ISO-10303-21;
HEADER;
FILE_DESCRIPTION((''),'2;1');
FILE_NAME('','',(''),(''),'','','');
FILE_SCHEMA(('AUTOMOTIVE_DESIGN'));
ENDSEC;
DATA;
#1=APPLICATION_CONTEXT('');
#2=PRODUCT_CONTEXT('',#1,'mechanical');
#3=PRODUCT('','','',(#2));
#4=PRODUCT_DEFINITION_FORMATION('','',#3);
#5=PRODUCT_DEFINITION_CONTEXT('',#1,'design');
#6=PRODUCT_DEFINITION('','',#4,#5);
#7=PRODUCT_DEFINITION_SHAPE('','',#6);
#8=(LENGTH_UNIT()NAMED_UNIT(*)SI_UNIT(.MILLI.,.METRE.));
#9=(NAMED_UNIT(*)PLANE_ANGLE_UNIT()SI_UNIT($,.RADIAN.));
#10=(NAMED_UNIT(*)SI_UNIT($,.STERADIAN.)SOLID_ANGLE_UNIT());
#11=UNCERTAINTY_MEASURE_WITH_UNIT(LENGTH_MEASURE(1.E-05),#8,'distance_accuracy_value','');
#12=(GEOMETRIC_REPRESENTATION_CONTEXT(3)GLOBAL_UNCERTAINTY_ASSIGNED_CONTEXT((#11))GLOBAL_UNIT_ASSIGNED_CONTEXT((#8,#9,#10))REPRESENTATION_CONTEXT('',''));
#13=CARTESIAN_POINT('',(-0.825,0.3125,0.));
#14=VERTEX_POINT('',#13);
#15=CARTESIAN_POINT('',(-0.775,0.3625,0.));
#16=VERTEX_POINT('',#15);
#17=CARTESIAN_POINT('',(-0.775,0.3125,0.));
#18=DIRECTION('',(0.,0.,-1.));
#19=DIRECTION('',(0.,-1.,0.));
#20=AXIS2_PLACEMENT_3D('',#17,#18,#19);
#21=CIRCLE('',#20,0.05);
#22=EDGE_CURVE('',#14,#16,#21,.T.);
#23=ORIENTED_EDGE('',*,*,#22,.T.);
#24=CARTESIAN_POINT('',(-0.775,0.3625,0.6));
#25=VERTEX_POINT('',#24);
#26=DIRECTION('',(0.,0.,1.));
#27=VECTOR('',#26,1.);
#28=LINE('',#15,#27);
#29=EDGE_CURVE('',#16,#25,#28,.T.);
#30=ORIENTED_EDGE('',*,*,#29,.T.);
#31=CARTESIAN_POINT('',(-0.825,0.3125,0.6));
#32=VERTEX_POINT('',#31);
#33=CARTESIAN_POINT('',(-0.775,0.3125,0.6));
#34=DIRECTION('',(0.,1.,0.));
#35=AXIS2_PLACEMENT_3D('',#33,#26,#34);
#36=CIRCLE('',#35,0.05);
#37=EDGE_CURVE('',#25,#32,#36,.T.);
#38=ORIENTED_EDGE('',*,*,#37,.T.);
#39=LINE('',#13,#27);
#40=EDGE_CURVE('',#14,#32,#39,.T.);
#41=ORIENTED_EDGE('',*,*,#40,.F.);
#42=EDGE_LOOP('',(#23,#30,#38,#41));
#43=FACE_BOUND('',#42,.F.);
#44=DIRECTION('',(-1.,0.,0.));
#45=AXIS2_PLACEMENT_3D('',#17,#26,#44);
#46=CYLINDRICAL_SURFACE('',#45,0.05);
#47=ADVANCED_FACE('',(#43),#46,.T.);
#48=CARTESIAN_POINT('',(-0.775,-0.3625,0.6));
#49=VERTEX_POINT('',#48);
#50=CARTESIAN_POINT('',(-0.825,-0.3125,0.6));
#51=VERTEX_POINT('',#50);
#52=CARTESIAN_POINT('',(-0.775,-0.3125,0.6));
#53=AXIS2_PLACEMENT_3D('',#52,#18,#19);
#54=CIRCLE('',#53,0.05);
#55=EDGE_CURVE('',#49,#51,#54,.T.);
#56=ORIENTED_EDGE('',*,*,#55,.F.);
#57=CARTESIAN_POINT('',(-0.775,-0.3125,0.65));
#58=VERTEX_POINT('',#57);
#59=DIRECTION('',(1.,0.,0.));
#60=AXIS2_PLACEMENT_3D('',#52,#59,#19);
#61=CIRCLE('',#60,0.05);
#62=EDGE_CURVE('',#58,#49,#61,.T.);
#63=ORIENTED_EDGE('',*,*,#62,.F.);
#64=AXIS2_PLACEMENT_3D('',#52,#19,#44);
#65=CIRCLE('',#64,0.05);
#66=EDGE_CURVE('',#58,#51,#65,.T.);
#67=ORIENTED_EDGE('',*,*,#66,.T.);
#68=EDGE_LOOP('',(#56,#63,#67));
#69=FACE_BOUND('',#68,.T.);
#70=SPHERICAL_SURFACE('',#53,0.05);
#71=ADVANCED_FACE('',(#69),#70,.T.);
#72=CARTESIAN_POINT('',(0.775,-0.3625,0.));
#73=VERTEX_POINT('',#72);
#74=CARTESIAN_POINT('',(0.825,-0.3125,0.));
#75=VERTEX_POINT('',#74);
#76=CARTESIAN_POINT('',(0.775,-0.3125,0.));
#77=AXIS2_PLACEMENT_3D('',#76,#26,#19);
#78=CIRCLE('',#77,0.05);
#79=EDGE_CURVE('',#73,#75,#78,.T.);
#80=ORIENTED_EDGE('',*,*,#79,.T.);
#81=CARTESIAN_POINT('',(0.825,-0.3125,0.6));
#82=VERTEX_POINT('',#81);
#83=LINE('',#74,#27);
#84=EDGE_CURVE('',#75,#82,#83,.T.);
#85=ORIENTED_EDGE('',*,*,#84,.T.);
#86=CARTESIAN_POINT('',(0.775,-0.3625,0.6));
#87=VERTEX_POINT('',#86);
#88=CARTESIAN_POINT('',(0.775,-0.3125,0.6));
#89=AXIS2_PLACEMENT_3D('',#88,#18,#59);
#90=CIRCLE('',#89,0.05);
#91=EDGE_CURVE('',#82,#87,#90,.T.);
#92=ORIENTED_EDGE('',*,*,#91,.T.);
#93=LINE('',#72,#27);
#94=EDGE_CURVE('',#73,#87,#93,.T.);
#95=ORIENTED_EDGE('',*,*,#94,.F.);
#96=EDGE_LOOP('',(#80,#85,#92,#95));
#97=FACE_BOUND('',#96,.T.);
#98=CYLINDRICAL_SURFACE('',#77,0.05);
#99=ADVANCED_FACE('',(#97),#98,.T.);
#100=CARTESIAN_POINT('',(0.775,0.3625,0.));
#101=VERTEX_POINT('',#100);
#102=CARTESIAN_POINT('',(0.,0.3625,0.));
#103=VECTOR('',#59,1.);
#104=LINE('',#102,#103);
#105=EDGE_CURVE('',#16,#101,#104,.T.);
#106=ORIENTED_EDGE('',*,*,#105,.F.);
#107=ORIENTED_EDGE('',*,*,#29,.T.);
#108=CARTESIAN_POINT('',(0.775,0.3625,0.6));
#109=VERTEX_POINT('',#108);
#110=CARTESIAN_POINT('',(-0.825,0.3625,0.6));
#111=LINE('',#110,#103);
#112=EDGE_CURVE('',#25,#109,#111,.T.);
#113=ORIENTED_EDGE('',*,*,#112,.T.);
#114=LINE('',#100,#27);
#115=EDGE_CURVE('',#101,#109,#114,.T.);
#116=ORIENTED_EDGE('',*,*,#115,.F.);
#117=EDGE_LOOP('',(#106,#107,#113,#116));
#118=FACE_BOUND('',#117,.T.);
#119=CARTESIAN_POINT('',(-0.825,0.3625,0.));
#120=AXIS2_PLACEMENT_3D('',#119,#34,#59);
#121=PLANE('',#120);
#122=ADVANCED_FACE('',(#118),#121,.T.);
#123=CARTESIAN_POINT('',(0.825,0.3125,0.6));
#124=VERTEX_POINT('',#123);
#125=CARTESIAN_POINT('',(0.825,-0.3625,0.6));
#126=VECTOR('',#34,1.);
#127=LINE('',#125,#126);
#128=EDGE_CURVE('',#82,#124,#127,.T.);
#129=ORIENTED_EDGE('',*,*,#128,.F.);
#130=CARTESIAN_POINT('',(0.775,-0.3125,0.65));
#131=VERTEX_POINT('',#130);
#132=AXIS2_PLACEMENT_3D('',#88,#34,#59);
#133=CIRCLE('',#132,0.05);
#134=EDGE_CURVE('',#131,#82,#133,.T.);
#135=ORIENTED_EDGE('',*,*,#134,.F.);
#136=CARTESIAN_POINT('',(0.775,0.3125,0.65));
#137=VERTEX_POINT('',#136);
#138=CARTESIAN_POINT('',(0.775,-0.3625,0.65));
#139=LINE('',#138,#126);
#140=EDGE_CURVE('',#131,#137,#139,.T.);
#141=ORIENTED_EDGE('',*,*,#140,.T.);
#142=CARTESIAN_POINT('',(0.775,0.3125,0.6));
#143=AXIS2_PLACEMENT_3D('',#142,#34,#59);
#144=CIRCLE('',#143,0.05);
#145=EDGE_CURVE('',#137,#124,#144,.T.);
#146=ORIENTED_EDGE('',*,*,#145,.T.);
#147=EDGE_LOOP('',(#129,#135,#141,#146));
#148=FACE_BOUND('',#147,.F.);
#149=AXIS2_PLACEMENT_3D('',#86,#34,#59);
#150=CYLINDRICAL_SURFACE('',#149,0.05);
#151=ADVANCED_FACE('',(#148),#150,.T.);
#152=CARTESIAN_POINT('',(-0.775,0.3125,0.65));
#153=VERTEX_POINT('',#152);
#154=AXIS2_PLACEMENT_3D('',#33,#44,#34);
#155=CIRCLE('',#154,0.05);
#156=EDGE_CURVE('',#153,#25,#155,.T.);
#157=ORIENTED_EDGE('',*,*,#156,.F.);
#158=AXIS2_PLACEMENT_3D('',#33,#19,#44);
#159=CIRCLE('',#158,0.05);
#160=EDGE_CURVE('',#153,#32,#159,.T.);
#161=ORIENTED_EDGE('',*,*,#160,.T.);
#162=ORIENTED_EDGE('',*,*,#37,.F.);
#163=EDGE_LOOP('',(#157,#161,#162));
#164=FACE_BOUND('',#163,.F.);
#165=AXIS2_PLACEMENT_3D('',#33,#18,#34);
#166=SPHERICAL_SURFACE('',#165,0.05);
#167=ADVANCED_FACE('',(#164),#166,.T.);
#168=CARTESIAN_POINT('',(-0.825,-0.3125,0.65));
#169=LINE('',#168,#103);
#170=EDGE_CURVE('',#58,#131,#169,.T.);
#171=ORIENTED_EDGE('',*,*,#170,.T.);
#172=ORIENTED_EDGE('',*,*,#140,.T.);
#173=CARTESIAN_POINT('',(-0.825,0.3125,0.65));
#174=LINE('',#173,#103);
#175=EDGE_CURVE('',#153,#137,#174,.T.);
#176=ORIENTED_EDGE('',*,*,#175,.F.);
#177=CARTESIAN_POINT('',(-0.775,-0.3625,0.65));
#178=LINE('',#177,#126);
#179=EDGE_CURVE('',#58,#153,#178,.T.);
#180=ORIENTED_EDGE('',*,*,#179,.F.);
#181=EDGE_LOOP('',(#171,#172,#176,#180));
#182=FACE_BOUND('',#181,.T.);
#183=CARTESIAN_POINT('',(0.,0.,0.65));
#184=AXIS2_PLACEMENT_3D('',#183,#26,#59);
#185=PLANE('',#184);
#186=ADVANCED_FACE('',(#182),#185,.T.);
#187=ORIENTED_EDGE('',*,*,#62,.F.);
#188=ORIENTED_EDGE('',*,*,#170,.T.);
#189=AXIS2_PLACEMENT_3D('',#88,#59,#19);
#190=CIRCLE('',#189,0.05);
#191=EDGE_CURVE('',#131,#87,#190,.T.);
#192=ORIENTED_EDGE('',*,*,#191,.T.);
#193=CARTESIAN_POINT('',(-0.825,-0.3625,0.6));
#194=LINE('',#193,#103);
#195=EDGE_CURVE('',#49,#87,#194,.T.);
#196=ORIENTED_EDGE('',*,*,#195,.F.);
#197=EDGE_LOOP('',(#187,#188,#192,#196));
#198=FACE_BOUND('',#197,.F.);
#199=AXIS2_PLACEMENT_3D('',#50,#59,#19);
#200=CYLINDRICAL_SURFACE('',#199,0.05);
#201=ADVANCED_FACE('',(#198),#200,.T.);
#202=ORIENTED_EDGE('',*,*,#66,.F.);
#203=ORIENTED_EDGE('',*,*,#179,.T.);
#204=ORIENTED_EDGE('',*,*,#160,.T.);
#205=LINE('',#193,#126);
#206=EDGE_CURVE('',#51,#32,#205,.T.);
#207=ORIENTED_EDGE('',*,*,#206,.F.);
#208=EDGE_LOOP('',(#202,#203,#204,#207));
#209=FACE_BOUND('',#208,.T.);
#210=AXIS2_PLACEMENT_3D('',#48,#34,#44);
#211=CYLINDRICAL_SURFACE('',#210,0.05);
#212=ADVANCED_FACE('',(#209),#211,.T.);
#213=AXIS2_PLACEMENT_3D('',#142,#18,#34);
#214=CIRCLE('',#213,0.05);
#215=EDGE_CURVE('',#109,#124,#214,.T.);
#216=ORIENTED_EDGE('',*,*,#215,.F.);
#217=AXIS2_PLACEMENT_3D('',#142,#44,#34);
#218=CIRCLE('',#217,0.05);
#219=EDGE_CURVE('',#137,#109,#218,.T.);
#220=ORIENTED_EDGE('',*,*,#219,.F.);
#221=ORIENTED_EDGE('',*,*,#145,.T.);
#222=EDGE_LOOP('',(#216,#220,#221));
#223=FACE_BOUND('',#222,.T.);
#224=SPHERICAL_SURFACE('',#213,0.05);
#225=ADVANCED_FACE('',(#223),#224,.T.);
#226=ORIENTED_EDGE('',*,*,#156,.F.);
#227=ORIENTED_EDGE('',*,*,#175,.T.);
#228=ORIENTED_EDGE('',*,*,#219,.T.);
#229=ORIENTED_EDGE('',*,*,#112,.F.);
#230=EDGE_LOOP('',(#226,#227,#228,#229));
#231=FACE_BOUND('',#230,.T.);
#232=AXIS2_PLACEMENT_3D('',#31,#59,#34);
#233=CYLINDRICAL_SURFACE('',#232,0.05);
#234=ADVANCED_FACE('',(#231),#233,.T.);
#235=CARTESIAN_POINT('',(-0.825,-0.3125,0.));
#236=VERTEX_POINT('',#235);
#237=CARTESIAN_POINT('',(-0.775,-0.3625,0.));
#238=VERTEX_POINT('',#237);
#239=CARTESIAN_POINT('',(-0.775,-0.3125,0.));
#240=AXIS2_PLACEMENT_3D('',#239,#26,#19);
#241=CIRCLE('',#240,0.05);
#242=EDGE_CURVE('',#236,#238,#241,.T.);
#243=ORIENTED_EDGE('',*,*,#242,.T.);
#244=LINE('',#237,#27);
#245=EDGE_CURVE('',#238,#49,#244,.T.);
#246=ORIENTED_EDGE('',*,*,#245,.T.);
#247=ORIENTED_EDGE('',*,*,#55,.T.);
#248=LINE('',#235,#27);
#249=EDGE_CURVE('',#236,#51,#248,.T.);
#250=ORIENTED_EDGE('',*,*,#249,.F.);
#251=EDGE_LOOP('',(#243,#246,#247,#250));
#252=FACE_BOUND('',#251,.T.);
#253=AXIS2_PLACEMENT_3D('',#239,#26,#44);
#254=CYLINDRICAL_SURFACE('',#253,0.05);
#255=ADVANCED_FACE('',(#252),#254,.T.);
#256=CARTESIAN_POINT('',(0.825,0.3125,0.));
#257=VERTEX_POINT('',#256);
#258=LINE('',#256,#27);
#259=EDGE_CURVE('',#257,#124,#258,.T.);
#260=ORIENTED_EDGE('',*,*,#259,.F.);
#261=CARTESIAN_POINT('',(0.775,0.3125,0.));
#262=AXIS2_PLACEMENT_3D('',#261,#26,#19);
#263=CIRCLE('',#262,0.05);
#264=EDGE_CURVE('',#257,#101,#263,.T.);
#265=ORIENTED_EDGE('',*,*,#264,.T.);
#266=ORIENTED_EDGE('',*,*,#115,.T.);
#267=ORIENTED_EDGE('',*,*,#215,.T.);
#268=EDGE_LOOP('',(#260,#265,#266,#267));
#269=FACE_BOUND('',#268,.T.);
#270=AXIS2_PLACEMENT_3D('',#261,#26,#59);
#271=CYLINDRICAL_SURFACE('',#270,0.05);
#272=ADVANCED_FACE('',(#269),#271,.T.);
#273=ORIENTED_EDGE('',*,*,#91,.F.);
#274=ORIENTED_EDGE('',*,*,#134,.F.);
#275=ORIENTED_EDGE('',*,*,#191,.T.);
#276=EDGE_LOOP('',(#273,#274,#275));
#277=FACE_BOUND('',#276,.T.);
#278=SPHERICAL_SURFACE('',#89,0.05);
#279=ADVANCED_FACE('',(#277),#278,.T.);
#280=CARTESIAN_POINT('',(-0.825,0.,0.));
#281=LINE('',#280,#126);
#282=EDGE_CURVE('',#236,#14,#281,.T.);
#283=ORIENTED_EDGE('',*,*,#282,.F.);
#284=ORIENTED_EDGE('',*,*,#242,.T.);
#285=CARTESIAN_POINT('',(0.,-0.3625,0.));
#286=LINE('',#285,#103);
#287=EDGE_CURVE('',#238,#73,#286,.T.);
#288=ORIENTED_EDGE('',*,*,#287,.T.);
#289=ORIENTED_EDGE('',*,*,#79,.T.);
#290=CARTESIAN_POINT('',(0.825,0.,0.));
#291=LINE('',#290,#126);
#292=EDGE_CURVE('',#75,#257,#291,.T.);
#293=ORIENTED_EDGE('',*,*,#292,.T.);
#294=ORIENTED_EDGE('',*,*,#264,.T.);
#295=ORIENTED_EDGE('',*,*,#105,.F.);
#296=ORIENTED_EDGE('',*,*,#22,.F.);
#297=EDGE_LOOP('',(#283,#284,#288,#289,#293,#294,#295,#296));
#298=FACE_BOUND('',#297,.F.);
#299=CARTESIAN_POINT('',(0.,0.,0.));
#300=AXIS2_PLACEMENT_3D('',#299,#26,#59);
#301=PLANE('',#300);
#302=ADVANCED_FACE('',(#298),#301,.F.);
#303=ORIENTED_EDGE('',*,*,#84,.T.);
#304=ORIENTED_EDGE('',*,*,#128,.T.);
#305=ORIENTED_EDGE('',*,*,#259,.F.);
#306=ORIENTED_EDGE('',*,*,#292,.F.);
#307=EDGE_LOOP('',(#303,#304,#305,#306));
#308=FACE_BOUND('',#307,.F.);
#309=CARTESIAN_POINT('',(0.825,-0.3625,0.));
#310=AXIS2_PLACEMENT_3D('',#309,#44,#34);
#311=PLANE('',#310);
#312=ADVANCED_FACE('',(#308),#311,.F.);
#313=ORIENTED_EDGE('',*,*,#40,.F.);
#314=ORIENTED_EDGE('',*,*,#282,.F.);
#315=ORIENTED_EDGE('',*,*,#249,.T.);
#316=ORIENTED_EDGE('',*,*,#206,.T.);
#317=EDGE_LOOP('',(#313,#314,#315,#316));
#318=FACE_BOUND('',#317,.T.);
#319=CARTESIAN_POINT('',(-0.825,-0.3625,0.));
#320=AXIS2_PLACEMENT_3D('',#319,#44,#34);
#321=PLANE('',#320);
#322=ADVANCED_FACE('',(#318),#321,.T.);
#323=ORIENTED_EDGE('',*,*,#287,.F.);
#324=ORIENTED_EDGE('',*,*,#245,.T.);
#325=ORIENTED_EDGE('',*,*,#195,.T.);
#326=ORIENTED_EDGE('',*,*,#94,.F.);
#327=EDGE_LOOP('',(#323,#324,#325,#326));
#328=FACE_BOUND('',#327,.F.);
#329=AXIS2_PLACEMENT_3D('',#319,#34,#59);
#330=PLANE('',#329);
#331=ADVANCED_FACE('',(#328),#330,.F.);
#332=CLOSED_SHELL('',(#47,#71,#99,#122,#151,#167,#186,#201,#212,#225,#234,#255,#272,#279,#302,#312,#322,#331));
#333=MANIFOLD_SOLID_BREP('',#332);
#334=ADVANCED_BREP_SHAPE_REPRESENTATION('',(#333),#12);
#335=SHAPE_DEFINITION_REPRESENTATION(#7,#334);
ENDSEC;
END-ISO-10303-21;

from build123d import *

# Parameters (mm, degrees)
SKETCH_W  = 1.65
SKETCH_H  = 0.725
PAD_DEPTH = 0.65
FILLET_R  = 0.05


with BuildPart() as part:
    # Sketch → Pad (new body)
    with BuildSketch(Plane.XY):
        Rectangle(SKETCH_W, SKETCH_H)
    extrude(amount=PAD_DEPTH)

    # Fillet
    fillet_edges = [part.edges().sort_by_distance(p)[0] for p in [
        (-0.825, 0.3625, 0.325),
        (0.825, 0.3625, 0.325),
        (0, 0.3625, 0.65),
        (0.825, -0.3625, 0.325),
        (0.825, 0, 0.65),
        (-0.825, -0.3625, 0.325),
        (0, -0.3625, 0.65),
        (-0.825, 0, 0.65),
    ]]
    fillet(fillet_edges, radius=FILLET_R)


solid = part.part
